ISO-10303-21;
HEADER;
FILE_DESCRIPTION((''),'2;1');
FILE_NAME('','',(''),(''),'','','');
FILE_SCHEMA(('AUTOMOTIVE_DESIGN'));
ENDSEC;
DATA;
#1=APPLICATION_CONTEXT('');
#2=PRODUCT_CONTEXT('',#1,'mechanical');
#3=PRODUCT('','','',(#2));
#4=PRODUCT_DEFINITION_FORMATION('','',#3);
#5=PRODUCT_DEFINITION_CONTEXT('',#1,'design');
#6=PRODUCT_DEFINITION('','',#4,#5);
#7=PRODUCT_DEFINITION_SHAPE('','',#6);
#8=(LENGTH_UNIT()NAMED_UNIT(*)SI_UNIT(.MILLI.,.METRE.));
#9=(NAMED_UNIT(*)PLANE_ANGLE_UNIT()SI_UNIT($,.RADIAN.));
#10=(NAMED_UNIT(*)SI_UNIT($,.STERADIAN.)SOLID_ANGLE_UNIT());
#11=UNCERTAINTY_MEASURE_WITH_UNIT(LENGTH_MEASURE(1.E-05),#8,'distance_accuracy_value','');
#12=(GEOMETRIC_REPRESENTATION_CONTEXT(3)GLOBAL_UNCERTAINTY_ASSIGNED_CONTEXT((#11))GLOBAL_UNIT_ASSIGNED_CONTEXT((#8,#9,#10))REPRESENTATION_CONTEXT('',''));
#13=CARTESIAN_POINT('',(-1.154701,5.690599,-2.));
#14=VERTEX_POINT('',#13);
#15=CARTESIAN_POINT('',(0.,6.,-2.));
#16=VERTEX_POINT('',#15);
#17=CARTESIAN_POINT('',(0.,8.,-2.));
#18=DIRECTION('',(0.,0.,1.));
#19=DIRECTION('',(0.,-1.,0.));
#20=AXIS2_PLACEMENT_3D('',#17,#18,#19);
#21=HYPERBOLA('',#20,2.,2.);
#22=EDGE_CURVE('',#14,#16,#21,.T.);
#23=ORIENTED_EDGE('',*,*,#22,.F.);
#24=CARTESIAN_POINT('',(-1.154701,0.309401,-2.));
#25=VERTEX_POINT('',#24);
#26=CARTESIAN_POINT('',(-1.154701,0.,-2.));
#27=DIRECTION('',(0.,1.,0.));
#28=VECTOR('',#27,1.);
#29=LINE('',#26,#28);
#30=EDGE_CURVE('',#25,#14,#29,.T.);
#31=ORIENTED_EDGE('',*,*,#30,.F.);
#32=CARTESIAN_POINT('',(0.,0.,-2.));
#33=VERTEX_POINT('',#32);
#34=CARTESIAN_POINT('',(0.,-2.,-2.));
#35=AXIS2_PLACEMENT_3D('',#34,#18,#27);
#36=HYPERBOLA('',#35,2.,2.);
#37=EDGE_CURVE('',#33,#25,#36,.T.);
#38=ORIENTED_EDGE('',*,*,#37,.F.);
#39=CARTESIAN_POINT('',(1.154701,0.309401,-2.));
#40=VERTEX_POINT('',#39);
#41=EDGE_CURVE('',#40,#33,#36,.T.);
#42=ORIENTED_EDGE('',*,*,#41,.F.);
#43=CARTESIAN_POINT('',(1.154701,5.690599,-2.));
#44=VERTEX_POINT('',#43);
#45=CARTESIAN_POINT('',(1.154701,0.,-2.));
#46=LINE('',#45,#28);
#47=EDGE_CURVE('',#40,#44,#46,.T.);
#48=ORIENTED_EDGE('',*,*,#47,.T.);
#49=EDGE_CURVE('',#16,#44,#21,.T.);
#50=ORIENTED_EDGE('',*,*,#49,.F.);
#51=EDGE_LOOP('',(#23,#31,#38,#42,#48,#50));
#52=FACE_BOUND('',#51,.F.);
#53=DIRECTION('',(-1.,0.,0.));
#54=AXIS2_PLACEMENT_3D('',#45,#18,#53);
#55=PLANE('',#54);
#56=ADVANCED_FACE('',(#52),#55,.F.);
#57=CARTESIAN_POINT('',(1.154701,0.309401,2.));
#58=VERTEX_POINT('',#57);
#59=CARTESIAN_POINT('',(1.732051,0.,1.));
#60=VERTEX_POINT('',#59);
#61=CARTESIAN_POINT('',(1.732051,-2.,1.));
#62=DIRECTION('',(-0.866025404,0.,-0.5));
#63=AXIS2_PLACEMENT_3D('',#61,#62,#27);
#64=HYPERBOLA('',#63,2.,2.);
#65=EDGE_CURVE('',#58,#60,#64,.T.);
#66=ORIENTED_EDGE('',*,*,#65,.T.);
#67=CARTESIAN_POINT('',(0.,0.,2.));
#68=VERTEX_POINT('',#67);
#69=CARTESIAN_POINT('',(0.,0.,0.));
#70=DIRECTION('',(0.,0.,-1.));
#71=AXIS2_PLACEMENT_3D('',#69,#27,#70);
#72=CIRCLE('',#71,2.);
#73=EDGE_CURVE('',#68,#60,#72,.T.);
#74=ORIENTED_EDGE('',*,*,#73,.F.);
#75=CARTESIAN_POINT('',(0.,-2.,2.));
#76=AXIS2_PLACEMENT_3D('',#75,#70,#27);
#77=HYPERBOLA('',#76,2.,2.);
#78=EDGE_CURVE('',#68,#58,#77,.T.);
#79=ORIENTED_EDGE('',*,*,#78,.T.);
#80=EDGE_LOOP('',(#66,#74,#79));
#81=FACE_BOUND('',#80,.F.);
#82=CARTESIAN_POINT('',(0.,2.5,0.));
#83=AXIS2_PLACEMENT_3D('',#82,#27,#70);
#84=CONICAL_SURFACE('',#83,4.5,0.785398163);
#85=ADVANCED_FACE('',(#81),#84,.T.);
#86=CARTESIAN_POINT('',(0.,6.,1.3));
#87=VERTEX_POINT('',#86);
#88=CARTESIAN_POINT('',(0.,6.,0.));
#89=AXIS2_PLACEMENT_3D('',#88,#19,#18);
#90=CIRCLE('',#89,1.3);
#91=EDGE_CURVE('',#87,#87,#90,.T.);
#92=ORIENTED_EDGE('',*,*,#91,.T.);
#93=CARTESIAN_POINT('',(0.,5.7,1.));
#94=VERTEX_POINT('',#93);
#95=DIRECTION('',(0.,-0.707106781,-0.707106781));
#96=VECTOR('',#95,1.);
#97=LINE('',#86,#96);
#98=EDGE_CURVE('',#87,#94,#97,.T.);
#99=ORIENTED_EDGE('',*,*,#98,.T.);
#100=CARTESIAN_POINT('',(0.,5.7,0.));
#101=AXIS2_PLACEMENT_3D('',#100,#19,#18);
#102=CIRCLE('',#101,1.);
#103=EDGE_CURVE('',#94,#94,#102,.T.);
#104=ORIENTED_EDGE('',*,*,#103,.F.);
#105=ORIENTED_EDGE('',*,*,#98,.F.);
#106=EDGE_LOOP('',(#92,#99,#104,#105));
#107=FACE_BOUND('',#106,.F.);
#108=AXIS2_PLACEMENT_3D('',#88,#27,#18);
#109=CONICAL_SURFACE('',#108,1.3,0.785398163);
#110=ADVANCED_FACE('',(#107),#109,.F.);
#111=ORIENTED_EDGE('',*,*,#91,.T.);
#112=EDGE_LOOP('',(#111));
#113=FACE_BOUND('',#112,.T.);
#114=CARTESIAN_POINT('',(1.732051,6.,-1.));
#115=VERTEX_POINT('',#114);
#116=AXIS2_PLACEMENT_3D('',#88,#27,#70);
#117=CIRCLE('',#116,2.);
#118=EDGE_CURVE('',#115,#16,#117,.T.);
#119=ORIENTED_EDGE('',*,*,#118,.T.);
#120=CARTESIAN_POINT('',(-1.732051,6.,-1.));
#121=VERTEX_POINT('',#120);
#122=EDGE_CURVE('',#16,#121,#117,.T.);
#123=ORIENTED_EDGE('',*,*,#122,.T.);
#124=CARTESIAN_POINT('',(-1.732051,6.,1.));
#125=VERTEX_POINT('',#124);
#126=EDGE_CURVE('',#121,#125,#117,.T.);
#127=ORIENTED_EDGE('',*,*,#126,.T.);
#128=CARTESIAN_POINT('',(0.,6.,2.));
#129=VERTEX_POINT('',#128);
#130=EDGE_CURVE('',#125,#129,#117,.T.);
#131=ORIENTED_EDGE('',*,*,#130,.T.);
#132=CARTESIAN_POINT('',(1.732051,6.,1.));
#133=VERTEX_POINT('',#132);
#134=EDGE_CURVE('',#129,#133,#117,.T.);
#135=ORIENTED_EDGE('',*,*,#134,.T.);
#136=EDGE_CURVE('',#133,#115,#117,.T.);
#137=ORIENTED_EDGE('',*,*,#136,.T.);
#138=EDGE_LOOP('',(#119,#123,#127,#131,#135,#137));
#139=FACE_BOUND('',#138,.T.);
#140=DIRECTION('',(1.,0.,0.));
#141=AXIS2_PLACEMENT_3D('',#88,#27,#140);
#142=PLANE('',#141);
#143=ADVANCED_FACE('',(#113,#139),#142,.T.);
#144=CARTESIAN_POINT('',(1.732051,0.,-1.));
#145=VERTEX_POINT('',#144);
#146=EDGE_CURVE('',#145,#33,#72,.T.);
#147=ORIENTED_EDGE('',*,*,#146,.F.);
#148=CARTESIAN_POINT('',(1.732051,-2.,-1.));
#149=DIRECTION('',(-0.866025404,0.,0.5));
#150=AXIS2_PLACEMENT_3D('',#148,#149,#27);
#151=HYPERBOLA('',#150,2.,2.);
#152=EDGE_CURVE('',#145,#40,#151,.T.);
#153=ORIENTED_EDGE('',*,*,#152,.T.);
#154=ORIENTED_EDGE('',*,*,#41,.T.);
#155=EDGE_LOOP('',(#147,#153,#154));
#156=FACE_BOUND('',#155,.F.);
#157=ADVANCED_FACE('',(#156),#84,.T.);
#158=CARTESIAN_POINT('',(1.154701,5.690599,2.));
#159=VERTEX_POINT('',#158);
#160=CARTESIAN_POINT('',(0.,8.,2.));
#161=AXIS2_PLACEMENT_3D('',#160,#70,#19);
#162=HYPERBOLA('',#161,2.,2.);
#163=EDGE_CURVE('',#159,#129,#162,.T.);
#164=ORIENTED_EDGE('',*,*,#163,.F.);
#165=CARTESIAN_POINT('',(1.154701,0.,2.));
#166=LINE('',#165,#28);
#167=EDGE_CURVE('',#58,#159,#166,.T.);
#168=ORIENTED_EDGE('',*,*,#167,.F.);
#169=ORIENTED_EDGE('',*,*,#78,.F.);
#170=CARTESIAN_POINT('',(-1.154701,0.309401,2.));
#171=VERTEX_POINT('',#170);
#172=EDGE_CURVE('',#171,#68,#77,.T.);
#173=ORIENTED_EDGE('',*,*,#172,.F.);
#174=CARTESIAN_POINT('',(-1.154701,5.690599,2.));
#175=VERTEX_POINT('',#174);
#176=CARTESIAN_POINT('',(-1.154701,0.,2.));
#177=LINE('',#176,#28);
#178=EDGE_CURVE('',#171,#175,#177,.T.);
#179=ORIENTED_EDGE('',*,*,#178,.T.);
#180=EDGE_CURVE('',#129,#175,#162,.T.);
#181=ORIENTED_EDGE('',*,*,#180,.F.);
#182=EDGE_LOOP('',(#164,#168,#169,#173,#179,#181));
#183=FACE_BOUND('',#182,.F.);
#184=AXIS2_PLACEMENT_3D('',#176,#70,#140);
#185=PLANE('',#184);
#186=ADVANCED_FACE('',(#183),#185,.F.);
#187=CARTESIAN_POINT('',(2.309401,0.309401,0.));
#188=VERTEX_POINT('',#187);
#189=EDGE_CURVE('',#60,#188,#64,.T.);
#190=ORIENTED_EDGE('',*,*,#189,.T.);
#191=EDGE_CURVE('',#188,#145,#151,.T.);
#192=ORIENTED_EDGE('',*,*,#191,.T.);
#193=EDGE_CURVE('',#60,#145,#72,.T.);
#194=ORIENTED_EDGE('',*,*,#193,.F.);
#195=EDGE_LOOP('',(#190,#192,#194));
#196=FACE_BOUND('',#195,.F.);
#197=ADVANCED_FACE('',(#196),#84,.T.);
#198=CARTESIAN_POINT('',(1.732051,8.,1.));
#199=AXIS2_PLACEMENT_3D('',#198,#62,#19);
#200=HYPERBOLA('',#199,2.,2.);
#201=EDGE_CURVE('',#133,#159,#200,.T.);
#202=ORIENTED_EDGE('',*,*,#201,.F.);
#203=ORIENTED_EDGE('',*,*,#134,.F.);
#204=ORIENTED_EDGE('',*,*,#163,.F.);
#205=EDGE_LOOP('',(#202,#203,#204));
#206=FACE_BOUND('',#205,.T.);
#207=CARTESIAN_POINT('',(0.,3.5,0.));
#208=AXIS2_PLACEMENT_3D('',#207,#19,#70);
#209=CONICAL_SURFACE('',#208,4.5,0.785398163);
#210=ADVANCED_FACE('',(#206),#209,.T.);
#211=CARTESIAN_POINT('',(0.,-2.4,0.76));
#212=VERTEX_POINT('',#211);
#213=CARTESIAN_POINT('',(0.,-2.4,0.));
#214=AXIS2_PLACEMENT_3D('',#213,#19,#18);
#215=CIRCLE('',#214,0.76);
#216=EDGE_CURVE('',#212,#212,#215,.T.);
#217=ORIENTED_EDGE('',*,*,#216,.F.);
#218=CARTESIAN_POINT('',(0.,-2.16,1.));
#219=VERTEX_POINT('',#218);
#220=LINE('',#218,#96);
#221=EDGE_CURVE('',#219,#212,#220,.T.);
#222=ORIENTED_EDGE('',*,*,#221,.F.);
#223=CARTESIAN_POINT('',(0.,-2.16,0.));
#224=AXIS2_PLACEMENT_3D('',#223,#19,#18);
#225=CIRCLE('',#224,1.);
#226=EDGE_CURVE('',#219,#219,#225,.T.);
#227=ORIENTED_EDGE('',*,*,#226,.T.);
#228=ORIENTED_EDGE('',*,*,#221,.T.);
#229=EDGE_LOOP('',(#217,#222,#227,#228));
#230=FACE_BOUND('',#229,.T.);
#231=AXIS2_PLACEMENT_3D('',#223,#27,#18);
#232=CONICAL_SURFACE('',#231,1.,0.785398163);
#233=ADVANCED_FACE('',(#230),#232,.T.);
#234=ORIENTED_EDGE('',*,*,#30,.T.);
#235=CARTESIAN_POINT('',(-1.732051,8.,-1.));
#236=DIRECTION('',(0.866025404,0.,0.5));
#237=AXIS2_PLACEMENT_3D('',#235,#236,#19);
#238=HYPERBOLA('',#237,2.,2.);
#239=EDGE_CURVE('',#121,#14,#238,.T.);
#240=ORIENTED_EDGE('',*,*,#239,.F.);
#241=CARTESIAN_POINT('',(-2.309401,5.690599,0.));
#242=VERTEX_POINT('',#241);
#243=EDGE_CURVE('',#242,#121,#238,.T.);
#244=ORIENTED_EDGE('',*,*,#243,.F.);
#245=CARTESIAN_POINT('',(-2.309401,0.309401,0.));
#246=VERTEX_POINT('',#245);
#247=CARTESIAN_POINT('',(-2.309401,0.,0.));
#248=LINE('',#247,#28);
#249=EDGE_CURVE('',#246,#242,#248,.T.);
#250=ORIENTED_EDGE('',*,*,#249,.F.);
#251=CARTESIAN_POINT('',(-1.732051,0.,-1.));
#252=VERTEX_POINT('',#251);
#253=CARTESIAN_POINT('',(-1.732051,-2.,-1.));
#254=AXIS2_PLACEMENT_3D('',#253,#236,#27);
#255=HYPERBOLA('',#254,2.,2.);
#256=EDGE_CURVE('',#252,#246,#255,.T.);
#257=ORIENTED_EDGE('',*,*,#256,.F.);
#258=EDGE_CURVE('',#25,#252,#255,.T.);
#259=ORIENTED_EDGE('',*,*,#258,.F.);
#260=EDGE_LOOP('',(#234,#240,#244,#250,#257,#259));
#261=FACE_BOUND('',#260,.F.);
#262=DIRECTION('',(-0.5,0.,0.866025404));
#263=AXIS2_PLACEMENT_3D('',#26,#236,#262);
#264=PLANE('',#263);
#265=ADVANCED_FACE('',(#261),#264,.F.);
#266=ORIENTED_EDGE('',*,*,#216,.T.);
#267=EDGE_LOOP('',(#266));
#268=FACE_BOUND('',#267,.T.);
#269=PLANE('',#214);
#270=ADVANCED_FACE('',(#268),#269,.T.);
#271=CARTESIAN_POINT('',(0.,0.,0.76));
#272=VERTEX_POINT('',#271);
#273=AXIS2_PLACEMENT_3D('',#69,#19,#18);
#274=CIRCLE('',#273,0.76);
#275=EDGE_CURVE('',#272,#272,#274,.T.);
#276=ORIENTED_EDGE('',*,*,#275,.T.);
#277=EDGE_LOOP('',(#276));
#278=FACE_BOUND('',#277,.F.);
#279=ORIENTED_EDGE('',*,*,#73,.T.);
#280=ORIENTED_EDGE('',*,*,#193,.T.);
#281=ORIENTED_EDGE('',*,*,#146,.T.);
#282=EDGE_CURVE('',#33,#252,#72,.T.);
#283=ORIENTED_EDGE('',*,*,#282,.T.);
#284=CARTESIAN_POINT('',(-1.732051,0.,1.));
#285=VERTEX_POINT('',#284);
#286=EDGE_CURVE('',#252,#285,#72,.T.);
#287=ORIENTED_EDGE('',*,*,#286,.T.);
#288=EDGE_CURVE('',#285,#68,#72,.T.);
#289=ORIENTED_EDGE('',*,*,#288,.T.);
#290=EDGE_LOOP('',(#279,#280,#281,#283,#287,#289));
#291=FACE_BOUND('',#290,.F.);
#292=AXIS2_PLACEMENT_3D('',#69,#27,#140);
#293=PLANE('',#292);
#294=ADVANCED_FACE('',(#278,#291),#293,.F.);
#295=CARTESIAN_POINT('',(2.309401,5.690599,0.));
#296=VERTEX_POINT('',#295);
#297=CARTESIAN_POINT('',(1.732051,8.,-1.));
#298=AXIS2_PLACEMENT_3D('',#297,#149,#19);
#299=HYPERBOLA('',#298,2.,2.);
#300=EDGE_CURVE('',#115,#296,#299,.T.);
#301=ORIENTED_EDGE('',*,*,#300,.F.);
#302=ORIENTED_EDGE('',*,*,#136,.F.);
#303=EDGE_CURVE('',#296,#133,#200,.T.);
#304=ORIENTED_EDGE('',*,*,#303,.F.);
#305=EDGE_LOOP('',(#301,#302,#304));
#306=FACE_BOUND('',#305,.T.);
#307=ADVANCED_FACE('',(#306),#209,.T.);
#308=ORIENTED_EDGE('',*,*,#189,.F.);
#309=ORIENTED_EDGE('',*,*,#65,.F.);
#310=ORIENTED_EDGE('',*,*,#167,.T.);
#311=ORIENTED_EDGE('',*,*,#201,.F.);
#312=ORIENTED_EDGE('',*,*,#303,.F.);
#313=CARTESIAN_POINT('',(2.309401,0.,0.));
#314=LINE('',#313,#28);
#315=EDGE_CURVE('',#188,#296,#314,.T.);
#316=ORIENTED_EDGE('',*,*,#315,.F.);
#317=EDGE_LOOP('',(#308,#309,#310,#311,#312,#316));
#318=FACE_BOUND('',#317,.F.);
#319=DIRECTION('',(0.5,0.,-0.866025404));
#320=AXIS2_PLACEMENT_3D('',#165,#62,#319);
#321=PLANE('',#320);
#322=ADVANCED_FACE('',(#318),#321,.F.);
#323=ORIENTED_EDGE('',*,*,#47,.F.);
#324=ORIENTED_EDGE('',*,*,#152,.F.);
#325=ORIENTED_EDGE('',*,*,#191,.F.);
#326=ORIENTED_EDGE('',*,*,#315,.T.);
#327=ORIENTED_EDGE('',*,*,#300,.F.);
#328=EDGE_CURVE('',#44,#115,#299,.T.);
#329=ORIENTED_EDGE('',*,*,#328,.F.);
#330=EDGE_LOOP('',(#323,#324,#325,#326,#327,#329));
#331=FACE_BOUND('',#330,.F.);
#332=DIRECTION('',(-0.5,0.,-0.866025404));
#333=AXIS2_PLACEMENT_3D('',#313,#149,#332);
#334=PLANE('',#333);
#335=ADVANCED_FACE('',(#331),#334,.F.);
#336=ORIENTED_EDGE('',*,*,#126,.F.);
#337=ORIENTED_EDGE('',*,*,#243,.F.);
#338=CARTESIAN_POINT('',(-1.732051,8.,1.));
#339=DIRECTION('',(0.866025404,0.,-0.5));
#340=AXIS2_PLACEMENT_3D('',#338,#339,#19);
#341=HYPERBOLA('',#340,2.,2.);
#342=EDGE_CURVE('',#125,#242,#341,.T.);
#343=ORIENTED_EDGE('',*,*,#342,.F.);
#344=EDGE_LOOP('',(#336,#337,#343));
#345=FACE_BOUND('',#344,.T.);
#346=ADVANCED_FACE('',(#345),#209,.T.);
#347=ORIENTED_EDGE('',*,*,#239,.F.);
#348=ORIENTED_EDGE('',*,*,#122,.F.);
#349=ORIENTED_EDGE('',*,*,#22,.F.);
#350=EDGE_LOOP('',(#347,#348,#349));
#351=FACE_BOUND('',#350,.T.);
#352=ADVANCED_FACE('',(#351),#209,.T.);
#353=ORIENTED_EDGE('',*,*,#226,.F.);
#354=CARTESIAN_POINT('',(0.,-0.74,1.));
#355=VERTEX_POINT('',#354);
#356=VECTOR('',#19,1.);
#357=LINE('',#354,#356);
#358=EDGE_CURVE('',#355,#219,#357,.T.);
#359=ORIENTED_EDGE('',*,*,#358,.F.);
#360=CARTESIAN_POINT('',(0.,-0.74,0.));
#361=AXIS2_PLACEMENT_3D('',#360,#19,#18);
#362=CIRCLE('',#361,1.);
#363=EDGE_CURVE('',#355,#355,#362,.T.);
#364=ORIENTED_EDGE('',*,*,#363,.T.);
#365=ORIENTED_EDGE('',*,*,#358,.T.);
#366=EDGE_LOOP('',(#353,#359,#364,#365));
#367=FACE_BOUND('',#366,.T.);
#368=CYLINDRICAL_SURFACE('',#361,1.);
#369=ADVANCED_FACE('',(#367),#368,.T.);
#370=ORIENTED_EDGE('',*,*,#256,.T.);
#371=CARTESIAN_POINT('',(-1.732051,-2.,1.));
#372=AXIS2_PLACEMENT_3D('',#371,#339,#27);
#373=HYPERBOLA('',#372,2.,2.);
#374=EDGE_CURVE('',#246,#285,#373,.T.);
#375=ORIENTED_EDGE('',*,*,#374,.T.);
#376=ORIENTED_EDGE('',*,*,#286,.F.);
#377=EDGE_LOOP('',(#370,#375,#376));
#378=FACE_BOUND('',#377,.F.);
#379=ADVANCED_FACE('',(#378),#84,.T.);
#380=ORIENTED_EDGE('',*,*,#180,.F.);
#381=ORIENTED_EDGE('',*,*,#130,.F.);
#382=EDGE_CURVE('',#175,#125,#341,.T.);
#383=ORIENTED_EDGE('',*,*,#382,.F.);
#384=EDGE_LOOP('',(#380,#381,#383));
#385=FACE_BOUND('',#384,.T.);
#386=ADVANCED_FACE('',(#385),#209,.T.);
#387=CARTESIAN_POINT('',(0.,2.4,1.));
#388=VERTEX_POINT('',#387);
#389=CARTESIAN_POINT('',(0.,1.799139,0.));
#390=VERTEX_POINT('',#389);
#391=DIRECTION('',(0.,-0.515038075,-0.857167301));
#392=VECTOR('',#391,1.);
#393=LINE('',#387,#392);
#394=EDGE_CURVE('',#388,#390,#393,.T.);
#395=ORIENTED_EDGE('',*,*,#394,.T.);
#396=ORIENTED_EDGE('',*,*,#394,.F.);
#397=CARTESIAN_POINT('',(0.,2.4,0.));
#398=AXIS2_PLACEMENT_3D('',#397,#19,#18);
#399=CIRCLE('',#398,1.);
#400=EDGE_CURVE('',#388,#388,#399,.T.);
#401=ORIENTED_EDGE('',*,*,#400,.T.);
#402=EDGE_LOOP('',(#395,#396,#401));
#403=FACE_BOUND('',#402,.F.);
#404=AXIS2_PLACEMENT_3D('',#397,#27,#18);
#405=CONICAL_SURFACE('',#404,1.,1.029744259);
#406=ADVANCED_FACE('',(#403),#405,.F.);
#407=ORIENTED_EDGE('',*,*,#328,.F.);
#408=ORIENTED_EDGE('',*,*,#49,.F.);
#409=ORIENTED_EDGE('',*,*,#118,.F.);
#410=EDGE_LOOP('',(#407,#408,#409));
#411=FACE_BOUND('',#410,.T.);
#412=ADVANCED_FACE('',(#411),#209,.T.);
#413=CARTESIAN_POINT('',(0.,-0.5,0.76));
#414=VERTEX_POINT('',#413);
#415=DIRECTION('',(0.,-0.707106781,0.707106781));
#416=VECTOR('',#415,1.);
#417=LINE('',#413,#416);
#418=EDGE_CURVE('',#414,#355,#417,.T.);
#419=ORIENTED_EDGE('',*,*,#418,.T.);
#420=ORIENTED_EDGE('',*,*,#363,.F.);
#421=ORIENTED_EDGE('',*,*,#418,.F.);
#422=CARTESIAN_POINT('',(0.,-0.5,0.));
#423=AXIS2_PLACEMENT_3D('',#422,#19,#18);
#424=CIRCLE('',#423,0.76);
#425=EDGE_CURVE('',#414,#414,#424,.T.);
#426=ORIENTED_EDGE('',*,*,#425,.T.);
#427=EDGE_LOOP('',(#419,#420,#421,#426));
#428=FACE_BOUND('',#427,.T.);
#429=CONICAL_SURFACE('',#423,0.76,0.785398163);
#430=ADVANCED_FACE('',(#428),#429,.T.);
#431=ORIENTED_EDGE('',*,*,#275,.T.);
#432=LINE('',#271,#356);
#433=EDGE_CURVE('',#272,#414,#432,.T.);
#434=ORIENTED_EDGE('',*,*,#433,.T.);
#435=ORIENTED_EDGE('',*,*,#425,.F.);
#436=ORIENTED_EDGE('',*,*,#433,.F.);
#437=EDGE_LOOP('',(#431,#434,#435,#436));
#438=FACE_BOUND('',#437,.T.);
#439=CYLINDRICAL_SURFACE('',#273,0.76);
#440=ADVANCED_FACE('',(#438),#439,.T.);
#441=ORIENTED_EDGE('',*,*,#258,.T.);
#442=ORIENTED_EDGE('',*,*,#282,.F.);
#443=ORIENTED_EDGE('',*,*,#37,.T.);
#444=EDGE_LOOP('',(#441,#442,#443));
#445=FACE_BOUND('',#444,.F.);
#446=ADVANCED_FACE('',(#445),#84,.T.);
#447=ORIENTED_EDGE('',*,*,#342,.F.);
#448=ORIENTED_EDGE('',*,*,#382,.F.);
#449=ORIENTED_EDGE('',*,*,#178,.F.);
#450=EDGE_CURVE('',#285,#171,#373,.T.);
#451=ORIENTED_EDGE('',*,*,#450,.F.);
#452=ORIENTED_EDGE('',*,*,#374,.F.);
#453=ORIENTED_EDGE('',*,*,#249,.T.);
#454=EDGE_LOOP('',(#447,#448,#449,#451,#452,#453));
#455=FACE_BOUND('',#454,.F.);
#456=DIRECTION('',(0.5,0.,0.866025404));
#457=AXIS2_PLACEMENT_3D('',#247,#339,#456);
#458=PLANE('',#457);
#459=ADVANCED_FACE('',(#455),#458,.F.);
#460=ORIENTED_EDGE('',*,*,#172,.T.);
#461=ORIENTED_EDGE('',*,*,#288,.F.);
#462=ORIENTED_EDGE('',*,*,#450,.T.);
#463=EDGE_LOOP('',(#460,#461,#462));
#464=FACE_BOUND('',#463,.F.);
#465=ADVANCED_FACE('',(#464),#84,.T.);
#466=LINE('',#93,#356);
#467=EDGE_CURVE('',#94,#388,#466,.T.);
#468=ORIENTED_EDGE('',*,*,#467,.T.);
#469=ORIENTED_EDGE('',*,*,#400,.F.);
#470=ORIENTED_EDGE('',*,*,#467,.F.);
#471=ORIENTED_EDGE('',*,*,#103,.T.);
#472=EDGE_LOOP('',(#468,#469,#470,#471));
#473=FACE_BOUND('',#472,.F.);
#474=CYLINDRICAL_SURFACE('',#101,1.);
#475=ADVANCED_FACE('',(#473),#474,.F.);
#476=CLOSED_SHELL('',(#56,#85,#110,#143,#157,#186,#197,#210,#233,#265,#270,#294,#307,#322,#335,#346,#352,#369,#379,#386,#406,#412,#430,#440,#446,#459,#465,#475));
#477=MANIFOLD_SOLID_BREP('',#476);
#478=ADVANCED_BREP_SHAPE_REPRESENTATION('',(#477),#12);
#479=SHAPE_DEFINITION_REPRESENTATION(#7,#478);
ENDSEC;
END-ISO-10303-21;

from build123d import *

# Parameters (mm, degrees)
EXTRUDE1_DEPTH = 6


with BuildPart() as part:
    # Sketch1 → Extrude1 (new body)
    with BuildSketch(Plane(origin=(0, 0, 0), x_dir=(1, 0, 0), z_dir=(0, 1, 0))):
        Polygon((1.154700538, 2), (-1.154700538, 2), (-2.309401077, 0), (-1.154700538, -2), (1.154700538, -2), (2.309401077, 0), align=None)
    extrude(amount=EXTRUDE1_DEPTH)

    # Sketch2 → Revolve1 (revolve)
    with BuildSketch(Plane(origin=(0, 0, 0), x_dir=(0, 0, -1), z_dir=(1, 0, 0)), mode=Mode.PRIVATE) as revolve1_sk:
        Polygon((0.76, 0), (0.76, -0.5), (1, -0.74), (1, -2.16), (0.76, -2.4), (0, -2.4), (0, 0), align=None)
    revolve(revolve1_sk.sketch.rotate(Axis((0, 0, 0), (0, -1, 0)), 180), axis=Axis((0, 0, 0), (0, -1, 0)))

    # Sketch3 → Cut-Revolve1 (revolve, cut)
    with BuildSketch(Plane(origin=(0, 0, 0), x_dir=(0, 0, -1), z_dir=(1, 0, 0)), mode=Mode.PRIVATE) as cut_revolve1_sk:
        Polygon((1.3, 6), (1, 5.7), (1, 2.4), (0, 1.799139381), (0, 6), align=None)
    revolve(cut_revolve1_sk.sketch.rotate(Axis((0, 6, 0), (0, -1, 0)), 180), axis=Axis((0, 6, 0), (0, -1, 0)), mode=Mode.SUBTRACT)

    # Sketch4 → Cut-Revolve3 (revolve, cut)
    with BuildSketch(Plane(origin=(0, 0, 0), x_dir=(0, 0, -1), z_dir=(1, 0, 0))):
        Polygon((2, 6), (4.5, 6), (4.5, 3.5), align=None)
        Polygon((2, 0), (4.5, 0), (4.5, 2.5), align=None)
    revolve(axis=Axis((0, 0, 0), (0, 1, 0)), mode=Mode.SUBTRACT)


solid = part.part
